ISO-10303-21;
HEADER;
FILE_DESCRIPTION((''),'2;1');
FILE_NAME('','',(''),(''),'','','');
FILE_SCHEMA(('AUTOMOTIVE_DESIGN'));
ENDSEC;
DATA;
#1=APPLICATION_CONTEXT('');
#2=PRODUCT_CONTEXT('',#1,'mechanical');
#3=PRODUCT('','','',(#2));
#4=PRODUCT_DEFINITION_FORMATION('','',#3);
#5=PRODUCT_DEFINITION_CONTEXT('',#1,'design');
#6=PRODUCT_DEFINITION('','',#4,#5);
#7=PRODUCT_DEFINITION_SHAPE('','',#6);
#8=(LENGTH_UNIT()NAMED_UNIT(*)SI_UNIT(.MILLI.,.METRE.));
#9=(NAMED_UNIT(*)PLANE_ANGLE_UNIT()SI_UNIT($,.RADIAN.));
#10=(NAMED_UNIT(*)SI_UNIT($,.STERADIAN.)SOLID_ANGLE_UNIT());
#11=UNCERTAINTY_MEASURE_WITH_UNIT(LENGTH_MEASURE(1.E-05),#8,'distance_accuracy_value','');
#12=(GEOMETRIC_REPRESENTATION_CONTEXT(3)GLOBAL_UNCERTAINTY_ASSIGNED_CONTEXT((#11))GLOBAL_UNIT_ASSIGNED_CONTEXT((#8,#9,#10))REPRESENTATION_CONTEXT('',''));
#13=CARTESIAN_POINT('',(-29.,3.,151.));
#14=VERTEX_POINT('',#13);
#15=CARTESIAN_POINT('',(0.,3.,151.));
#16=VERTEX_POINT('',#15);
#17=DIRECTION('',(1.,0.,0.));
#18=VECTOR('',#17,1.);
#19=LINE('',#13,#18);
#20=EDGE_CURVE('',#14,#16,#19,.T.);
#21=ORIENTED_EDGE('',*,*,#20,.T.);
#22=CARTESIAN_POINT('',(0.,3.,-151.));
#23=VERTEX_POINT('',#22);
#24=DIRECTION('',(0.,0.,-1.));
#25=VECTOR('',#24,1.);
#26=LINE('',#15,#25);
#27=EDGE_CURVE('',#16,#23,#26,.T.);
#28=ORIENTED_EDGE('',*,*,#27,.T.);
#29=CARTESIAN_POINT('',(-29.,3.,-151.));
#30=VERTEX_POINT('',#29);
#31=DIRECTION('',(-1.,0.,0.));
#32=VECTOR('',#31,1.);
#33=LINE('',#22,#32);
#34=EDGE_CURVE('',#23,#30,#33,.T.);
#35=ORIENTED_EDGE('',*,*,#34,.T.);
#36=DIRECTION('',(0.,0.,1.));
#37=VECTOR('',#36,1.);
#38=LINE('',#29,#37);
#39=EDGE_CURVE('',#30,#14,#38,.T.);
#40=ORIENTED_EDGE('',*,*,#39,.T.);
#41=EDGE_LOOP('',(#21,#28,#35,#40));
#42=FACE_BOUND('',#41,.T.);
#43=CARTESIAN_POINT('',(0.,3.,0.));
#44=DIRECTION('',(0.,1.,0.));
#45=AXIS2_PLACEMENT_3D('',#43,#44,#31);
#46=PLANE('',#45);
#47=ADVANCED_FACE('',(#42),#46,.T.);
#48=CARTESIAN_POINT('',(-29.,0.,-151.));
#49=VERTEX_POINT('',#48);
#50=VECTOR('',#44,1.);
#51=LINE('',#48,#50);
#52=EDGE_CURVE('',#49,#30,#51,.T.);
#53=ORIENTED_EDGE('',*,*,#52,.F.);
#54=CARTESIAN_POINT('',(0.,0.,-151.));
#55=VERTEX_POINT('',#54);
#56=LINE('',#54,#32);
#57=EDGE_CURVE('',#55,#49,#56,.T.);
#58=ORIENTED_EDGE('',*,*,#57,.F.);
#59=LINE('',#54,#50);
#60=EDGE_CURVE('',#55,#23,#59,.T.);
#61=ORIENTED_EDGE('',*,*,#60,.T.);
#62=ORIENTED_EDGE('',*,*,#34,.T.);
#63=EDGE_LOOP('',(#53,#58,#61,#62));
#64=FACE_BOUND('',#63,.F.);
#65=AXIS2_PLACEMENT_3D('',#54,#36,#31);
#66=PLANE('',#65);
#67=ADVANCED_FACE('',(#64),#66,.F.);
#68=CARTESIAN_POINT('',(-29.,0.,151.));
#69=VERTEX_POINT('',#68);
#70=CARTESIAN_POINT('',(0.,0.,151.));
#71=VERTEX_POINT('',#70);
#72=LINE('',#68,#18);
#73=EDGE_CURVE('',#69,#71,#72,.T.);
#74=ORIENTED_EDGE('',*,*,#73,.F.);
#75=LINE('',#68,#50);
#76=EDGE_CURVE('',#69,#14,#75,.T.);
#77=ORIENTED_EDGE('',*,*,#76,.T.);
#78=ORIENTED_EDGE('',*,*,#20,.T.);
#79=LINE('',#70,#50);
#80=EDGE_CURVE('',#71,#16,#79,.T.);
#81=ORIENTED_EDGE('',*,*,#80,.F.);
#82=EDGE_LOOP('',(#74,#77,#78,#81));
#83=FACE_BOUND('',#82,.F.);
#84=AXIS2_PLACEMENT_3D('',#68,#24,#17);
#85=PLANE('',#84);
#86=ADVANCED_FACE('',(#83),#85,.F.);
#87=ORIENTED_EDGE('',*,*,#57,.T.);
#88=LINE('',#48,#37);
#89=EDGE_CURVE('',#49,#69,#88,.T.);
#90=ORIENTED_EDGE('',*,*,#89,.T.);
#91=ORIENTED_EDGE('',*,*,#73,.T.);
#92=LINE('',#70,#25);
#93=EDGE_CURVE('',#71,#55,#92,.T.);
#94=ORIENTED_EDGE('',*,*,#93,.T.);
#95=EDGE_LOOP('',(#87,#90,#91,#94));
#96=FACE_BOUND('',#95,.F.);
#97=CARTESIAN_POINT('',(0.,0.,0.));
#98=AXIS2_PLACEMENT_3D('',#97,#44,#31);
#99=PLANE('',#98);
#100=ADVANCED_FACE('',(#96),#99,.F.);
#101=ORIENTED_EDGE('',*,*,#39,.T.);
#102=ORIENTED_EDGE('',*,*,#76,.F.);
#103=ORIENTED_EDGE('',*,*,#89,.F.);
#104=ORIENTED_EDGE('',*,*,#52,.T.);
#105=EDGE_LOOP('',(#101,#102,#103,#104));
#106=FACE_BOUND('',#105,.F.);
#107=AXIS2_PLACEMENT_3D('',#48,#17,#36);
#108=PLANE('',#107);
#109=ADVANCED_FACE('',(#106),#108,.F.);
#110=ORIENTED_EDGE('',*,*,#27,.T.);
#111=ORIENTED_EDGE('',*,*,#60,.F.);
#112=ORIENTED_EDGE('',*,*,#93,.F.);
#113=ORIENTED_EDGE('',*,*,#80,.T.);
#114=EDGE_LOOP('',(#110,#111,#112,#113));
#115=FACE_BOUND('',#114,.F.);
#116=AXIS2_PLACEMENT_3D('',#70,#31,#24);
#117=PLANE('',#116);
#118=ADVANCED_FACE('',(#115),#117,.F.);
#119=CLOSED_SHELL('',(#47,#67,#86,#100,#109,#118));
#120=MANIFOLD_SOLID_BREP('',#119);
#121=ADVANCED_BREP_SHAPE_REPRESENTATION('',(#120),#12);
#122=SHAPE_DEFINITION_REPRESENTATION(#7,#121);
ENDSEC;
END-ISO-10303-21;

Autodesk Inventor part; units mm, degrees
ref_plane "YZ Plane" through (0, 0, 0) normal (1, 0, 0) x (0, 1, 0)
ref_plane "XZ Plane" through (0, 0, 0) normal (0, 1, 0) x (-1, 0, 0)
ref_plane "XY Plane" through (0, 0, 0) normal (0, 0, 1) x (1, 0, 0)
sketch "スケッチ1" plane through (0, 0, 0) normal (0, 1, 0) x (-1, 0, 0)
  line L0 (29, 151) -> (0, 151)
  line L1 (0, 151) -> (0, -151)
  line L2 (0, -151) -> (29, -151)
  line L3 (29, -151) -> (29, 151)
  point P0 (0, 0)
  point P1 (0, 0)
  dimension "d0" = 302
  dimension "d1" = 29
extrude "押し出し1" add sketch "スケッチ1" along normal blind 3
